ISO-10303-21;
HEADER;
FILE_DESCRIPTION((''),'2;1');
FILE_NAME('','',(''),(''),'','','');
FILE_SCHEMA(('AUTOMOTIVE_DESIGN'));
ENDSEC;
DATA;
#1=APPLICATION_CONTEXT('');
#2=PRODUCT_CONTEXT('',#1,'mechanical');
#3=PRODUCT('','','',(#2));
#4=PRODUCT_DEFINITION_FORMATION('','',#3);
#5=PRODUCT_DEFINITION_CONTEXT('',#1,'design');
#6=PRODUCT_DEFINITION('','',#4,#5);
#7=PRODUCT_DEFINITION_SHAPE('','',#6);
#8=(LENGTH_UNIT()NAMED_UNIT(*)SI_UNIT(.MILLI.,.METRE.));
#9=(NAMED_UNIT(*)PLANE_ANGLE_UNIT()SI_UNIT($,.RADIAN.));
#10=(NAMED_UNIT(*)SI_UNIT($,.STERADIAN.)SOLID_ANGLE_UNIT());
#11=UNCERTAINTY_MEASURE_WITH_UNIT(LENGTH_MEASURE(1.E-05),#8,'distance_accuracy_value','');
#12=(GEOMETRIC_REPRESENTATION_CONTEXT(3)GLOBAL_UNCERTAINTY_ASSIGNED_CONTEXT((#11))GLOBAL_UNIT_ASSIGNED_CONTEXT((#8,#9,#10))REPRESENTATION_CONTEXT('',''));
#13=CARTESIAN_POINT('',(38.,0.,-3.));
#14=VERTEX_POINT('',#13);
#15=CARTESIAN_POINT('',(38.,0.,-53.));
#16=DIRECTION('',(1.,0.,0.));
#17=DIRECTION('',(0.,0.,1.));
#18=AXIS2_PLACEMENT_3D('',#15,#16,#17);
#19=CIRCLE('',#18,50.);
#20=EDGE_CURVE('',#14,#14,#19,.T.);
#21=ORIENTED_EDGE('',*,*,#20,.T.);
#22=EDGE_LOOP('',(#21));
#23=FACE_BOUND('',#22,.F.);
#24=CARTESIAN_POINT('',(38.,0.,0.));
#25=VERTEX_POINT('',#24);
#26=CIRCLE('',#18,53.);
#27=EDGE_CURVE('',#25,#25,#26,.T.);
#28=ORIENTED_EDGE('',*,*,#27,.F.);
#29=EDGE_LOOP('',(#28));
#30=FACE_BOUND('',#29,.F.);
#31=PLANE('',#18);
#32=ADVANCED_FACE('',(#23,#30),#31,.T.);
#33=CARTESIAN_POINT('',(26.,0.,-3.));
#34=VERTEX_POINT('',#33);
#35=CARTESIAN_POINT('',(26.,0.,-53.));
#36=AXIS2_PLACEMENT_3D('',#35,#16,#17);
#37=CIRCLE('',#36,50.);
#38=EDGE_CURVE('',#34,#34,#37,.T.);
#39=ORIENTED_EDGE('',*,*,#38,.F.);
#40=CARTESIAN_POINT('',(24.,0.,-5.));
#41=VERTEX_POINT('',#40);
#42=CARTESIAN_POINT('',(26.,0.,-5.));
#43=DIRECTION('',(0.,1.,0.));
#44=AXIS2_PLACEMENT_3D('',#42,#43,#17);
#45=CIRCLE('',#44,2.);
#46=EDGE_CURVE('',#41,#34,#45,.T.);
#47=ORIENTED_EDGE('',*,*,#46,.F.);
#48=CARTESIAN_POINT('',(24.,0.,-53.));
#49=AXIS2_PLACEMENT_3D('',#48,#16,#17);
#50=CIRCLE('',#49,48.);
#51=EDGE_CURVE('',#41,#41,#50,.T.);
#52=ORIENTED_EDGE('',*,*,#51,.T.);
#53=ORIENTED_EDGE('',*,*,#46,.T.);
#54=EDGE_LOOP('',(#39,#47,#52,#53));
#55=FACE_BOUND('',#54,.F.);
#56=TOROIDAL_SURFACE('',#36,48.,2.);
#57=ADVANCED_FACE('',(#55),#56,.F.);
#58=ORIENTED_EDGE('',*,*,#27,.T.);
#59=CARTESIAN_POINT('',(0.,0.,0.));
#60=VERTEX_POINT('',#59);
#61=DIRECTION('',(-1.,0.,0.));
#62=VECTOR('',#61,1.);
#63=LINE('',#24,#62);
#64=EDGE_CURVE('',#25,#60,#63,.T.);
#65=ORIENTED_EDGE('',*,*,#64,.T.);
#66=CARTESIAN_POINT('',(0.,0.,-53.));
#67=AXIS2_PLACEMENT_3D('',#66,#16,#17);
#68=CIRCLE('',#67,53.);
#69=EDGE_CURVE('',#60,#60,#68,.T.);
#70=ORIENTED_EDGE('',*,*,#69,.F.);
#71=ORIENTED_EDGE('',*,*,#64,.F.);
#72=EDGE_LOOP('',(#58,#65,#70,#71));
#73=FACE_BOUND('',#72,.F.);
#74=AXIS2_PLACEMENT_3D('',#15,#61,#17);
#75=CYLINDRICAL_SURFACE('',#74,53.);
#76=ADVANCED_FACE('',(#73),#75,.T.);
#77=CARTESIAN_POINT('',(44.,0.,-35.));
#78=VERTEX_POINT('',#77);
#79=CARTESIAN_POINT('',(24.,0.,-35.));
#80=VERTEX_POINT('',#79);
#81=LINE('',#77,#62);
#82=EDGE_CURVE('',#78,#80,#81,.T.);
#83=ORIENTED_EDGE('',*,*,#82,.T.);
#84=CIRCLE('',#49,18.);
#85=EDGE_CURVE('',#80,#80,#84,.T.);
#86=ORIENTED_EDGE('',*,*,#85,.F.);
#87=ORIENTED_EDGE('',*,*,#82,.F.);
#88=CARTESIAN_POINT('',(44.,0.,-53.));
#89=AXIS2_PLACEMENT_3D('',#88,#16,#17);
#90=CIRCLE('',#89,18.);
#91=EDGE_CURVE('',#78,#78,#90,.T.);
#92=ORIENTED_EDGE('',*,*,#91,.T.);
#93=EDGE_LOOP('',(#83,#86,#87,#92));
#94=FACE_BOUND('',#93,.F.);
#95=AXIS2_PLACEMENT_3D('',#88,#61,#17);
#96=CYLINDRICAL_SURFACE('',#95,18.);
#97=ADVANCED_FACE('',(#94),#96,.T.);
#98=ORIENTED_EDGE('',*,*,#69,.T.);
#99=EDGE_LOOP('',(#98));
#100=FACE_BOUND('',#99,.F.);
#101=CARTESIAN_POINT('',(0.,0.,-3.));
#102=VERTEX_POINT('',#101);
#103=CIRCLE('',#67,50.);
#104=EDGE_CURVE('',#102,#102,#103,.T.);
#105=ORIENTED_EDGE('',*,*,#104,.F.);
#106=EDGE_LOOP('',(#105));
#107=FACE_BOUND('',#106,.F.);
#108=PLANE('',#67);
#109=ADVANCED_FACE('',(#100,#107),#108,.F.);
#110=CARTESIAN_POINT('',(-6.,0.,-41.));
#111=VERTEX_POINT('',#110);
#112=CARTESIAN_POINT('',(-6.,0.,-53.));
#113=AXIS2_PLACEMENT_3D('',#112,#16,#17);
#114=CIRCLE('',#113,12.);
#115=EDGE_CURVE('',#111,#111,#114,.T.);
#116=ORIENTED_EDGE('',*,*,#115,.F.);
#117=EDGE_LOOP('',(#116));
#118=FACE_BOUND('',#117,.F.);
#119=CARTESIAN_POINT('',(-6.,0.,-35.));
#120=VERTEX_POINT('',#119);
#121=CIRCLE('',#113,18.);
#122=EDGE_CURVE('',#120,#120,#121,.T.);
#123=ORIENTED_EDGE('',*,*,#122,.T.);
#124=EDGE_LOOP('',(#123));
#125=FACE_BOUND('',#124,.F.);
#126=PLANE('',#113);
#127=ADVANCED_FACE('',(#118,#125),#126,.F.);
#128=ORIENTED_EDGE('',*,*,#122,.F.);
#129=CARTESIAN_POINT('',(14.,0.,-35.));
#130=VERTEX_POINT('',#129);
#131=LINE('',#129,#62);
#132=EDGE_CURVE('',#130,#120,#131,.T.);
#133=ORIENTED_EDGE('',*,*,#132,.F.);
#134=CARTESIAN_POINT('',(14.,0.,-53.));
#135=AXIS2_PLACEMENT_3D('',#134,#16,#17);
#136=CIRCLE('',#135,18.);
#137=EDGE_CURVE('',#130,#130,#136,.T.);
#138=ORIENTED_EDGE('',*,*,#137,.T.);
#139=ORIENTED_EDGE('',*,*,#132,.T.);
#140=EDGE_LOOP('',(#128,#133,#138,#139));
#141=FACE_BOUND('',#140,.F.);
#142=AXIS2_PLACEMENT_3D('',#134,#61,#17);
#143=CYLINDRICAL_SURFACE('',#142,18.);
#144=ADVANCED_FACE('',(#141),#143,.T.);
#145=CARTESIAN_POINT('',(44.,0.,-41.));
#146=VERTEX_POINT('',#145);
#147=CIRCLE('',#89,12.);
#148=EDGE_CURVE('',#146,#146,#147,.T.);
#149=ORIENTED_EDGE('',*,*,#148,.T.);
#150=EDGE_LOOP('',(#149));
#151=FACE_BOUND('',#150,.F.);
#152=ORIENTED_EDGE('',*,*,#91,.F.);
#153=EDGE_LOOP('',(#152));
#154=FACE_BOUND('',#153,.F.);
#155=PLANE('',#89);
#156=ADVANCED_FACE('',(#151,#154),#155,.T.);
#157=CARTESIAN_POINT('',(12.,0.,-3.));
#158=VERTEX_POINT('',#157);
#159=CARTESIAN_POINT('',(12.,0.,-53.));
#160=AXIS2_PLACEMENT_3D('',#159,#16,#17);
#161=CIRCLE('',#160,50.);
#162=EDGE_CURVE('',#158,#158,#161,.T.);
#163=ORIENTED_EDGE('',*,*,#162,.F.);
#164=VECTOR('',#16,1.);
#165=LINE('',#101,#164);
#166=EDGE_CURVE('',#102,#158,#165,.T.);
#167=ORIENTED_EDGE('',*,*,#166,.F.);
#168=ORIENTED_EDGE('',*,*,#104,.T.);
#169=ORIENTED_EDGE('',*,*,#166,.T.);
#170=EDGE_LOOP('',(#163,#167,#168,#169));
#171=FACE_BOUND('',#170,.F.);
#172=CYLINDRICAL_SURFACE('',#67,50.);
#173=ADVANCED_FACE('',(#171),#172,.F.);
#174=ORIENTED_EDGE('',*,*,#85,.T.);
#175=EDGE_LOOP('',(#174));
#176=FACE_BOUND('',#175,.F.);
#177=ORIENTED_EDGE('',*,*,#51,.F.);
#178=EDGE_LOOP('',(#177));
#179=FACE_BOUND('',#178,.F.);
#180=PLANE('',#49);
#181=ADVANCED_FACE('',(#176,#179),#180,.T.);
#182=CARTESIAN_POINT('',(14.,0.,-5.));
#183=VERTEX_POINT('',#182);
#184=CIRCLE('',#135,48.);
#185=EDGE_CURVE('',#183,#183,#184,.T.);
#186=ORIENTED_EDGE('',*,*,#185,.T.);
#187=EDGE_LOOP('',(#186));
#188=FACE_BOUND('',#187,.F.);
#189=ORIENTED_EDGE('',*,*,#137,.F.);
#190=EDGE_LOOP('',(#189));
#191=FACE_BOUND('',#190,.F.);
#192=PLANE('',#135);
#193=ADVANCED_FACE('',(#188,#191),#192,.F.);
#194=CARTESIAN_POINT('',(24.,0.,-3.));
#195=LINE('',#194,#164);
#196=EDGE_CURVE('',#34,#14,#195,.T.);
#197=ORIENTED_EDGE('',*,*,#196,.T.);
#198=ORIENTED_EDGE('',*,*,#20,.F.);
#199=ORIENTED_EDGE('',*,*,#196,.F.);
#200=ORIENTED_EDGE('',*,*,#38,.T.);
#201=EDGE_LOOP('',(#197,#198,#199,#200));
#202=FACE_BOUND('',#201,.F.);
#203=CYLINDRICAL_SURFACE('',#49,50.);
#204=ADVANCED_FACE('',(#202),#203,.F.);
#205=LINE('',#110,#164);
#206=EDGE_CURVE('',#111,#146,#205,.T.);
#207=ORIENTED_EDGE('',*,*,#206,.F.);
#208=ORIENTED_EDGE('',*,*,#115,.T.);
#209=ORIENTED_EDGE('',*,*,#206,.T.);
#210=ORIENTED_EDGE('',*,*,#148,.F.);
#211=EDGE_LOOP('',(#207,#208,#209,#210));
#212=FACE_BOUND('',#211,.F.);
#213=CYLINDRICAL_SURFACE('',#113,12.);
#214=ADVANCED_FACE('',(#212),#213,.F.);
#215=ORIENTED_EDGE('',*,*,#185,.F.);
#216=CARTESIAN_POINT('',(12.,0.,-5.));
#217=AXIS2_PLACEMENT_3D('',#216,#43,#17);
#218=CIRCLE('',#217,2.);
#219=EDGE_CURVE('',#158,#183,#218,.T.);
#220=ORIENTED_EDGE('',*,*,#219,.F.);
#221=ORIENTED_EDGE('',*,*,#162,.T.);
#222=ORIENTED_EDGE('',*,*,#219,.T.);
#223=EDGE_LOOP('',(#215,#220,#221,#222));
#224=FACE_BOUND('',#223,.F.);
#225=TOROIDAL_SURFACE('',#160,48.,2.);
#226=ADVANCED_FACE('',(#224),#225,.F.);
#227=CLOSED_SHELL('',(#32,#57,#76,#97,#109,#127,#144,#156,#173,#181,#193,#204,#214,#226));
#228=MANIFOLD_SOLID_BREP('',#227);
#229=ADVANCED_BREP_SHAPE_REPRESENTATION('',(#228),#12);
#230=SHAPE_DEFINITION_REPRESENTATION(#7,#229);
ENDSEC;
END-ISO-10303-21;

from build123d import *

# Parameters (mm, degrees)
F2_R = 2


with BuildPart() as f1:
    # F0 (on Front) → F1 (revolve)
    with BuildSketch(Plane.XZ):
        Polygon((38, 0), (0, 0), (0, -3), (12.181578204, -3), (14, -3), (14, -35), (-6, -35), (-6, -41), (44, -41), (44, -35), (24, -35), (24, -3), (38, -3), align=None)
    revolve(axis=Axis((16.9901512563, 0, -53), (1, 0, 0)))

    # F2
    f2_edges = [f1.edges().sort_by_distance(p)[0] for p in [
        (14, 0, -103),
        (24, 0, -103),
    ]]
    fillet(f2_edges, radius=F2_R)


solid = f1.part
